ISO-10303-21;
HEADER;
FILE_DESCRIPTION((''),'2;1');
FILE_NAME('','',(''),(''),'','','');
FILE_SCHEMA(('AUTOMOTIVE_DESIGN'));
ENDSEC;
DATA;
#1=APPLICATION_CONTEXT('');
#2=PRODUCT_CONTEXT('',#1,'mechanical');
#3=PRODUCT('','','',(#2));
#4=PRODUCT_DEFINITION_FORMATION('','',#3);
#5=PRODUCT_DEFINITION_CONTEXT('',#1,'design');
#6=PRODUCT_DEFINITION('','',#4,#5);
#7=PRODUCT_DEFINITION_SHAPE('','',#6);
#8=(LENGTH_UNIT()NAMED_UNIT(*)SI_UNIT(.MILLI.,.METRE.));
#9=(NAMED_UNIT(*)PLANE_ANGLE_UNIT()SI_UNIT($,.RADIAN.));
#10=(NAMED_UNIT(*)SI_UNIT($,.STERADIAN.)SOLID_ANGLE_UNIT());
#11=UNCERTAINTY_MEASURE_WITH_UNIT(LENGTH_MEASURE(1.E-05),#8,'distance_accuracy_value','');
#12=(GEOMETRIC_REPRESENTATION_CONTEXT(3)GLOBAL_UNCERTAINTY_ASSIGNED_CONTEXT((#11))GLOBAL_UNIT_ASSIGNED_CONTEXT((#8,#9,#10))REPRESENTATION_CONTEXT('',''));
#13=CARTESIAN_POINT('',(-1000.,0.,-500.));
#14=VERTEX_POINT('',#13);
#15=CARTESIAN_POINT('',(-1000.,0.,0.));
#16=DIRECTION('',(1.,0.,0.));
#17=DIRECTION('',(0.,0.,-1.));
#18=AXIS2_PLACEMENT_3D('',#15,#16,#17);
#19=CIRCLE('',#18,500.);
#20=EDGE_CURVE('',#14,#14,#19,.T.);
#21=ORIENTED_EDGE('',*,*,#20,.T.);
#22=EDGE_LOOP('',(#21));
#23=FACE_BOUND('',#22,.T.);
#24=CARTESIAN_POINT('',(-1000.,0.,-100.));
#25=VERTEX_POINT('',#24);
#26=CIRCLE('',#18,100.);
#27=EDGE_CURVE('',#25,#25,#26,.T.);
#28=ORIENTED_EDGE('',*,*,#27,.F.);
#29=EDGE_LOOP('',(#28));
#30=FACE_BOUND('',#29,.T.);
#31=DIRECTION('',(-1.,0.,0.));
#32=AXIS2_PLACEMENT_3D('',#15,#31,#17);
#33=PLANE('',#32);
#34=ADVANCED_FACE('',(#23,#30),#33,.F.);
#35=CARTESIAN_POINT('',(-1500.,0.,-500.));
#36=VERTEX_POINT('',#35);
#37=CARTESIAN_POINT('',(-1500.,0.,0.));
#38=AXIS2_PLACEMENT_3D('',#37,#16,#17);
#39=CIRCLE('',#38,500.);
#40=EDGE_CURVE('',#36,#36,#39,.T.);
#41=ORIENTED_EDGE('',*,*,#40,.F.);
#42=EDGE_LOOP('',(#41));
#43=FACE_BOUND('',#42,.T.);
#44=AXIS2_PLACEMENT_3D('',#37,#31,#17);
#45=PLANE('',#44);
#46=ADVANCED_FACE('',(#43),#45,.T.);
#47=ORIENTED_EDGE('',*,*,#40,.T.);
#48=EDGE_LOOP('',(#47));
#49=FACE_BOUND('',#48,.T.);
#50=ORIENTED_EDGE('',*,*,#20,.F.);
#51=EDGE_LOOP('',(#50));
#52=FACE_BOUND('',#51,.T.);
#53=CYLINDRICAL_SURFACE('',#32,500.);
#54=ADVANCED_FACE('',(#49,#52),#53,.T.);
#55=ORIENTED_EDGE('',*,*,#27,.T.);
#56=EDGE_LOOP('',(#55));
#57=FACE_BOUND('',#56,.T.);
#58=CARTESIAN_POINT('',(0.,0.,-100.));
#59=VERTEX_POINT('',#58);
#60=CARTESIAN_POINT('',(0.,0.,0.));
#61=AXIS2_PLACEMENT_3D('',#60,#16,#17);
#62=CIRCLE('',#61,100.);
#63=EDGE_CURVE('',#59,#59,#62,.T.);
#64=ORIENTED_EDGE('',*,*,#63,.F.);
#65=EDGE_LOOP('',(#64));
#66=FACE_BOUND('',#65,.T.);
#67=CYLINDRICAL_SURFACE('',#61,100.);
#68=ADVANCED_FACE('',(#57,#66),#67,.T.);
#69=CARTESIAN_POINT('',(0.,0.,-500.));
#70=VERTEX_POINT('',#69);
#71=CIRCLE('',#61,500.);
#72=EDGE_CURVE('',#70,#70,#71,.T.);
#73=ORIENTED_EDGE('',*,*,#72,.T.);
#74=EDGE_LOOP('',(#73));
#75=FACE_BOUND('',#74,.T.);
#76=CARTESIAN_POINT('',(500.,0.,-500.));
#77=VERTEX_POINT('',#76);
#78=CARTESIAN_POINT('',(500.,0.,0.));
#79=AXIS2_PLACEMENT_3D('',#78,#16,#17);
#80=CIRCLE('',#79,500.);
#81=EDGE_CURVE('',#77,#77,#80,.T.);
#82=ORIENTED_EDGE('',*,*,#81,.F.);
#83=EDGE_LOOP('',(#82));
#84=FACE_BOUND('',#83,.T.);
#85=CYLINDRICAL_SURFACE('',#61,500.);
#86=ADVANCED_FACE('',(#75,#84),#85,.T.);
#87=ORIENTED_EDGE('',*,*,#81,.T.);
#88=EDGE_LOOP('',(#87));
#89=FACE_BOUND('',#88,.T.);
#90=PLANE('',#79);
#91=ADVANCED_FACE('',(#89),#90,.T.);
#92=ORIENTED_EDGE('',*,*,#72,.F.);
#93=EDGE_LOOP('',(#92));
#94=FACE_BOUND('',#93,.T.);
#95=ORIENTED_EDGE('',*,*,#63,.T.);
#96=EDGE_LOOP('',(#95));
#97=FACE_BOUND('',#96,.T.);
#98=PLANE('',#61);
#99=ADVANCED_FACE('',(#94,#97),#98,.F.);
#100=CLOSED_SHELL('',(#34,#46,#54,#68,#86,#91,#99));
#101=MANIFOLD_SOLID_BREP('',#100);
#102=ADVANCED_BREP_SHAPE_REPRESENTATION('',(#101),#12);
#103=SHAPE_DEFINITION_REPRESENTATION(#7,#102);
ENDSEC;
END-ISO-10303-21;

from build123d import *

# Parameters (mm, degrees)
SKETCH_1_W   = 500
SKETCH_1_H   = 100
SKETCH_1_H_2 = 500


with BuildPart() as part:
    # ｽｹｯﾁ1 → 回転1 (revolve)
    with BuildSketch(Plane.XY, mode=Mode.PRIVATE) as revolve_1_sk:
        with Locations((-250, -50)):
            Rectangle(SKETCH_1_W, SKETCH_1_H)
        with Locations((250, -250)):
            Rectangle(SKETCH_1_W, SKETCH_1_H_2)
    revolve(revolve_1_sk.sketch.rotate(Axis((0, 0, 0), (-1, 0, 0)), 270), axis=Axis((0, 0, 0), (-1, 0, 0)))

    # ﾐﾗｰ1: part across plane


with BuildPart() as part_1:
    add(part.part)
    add(part.part.mirror(Plane(origin=(-500, 0, 0), x_dir=(0, 0, 1), z_dir=(1, 0, 0))))


solid = part_1.part
